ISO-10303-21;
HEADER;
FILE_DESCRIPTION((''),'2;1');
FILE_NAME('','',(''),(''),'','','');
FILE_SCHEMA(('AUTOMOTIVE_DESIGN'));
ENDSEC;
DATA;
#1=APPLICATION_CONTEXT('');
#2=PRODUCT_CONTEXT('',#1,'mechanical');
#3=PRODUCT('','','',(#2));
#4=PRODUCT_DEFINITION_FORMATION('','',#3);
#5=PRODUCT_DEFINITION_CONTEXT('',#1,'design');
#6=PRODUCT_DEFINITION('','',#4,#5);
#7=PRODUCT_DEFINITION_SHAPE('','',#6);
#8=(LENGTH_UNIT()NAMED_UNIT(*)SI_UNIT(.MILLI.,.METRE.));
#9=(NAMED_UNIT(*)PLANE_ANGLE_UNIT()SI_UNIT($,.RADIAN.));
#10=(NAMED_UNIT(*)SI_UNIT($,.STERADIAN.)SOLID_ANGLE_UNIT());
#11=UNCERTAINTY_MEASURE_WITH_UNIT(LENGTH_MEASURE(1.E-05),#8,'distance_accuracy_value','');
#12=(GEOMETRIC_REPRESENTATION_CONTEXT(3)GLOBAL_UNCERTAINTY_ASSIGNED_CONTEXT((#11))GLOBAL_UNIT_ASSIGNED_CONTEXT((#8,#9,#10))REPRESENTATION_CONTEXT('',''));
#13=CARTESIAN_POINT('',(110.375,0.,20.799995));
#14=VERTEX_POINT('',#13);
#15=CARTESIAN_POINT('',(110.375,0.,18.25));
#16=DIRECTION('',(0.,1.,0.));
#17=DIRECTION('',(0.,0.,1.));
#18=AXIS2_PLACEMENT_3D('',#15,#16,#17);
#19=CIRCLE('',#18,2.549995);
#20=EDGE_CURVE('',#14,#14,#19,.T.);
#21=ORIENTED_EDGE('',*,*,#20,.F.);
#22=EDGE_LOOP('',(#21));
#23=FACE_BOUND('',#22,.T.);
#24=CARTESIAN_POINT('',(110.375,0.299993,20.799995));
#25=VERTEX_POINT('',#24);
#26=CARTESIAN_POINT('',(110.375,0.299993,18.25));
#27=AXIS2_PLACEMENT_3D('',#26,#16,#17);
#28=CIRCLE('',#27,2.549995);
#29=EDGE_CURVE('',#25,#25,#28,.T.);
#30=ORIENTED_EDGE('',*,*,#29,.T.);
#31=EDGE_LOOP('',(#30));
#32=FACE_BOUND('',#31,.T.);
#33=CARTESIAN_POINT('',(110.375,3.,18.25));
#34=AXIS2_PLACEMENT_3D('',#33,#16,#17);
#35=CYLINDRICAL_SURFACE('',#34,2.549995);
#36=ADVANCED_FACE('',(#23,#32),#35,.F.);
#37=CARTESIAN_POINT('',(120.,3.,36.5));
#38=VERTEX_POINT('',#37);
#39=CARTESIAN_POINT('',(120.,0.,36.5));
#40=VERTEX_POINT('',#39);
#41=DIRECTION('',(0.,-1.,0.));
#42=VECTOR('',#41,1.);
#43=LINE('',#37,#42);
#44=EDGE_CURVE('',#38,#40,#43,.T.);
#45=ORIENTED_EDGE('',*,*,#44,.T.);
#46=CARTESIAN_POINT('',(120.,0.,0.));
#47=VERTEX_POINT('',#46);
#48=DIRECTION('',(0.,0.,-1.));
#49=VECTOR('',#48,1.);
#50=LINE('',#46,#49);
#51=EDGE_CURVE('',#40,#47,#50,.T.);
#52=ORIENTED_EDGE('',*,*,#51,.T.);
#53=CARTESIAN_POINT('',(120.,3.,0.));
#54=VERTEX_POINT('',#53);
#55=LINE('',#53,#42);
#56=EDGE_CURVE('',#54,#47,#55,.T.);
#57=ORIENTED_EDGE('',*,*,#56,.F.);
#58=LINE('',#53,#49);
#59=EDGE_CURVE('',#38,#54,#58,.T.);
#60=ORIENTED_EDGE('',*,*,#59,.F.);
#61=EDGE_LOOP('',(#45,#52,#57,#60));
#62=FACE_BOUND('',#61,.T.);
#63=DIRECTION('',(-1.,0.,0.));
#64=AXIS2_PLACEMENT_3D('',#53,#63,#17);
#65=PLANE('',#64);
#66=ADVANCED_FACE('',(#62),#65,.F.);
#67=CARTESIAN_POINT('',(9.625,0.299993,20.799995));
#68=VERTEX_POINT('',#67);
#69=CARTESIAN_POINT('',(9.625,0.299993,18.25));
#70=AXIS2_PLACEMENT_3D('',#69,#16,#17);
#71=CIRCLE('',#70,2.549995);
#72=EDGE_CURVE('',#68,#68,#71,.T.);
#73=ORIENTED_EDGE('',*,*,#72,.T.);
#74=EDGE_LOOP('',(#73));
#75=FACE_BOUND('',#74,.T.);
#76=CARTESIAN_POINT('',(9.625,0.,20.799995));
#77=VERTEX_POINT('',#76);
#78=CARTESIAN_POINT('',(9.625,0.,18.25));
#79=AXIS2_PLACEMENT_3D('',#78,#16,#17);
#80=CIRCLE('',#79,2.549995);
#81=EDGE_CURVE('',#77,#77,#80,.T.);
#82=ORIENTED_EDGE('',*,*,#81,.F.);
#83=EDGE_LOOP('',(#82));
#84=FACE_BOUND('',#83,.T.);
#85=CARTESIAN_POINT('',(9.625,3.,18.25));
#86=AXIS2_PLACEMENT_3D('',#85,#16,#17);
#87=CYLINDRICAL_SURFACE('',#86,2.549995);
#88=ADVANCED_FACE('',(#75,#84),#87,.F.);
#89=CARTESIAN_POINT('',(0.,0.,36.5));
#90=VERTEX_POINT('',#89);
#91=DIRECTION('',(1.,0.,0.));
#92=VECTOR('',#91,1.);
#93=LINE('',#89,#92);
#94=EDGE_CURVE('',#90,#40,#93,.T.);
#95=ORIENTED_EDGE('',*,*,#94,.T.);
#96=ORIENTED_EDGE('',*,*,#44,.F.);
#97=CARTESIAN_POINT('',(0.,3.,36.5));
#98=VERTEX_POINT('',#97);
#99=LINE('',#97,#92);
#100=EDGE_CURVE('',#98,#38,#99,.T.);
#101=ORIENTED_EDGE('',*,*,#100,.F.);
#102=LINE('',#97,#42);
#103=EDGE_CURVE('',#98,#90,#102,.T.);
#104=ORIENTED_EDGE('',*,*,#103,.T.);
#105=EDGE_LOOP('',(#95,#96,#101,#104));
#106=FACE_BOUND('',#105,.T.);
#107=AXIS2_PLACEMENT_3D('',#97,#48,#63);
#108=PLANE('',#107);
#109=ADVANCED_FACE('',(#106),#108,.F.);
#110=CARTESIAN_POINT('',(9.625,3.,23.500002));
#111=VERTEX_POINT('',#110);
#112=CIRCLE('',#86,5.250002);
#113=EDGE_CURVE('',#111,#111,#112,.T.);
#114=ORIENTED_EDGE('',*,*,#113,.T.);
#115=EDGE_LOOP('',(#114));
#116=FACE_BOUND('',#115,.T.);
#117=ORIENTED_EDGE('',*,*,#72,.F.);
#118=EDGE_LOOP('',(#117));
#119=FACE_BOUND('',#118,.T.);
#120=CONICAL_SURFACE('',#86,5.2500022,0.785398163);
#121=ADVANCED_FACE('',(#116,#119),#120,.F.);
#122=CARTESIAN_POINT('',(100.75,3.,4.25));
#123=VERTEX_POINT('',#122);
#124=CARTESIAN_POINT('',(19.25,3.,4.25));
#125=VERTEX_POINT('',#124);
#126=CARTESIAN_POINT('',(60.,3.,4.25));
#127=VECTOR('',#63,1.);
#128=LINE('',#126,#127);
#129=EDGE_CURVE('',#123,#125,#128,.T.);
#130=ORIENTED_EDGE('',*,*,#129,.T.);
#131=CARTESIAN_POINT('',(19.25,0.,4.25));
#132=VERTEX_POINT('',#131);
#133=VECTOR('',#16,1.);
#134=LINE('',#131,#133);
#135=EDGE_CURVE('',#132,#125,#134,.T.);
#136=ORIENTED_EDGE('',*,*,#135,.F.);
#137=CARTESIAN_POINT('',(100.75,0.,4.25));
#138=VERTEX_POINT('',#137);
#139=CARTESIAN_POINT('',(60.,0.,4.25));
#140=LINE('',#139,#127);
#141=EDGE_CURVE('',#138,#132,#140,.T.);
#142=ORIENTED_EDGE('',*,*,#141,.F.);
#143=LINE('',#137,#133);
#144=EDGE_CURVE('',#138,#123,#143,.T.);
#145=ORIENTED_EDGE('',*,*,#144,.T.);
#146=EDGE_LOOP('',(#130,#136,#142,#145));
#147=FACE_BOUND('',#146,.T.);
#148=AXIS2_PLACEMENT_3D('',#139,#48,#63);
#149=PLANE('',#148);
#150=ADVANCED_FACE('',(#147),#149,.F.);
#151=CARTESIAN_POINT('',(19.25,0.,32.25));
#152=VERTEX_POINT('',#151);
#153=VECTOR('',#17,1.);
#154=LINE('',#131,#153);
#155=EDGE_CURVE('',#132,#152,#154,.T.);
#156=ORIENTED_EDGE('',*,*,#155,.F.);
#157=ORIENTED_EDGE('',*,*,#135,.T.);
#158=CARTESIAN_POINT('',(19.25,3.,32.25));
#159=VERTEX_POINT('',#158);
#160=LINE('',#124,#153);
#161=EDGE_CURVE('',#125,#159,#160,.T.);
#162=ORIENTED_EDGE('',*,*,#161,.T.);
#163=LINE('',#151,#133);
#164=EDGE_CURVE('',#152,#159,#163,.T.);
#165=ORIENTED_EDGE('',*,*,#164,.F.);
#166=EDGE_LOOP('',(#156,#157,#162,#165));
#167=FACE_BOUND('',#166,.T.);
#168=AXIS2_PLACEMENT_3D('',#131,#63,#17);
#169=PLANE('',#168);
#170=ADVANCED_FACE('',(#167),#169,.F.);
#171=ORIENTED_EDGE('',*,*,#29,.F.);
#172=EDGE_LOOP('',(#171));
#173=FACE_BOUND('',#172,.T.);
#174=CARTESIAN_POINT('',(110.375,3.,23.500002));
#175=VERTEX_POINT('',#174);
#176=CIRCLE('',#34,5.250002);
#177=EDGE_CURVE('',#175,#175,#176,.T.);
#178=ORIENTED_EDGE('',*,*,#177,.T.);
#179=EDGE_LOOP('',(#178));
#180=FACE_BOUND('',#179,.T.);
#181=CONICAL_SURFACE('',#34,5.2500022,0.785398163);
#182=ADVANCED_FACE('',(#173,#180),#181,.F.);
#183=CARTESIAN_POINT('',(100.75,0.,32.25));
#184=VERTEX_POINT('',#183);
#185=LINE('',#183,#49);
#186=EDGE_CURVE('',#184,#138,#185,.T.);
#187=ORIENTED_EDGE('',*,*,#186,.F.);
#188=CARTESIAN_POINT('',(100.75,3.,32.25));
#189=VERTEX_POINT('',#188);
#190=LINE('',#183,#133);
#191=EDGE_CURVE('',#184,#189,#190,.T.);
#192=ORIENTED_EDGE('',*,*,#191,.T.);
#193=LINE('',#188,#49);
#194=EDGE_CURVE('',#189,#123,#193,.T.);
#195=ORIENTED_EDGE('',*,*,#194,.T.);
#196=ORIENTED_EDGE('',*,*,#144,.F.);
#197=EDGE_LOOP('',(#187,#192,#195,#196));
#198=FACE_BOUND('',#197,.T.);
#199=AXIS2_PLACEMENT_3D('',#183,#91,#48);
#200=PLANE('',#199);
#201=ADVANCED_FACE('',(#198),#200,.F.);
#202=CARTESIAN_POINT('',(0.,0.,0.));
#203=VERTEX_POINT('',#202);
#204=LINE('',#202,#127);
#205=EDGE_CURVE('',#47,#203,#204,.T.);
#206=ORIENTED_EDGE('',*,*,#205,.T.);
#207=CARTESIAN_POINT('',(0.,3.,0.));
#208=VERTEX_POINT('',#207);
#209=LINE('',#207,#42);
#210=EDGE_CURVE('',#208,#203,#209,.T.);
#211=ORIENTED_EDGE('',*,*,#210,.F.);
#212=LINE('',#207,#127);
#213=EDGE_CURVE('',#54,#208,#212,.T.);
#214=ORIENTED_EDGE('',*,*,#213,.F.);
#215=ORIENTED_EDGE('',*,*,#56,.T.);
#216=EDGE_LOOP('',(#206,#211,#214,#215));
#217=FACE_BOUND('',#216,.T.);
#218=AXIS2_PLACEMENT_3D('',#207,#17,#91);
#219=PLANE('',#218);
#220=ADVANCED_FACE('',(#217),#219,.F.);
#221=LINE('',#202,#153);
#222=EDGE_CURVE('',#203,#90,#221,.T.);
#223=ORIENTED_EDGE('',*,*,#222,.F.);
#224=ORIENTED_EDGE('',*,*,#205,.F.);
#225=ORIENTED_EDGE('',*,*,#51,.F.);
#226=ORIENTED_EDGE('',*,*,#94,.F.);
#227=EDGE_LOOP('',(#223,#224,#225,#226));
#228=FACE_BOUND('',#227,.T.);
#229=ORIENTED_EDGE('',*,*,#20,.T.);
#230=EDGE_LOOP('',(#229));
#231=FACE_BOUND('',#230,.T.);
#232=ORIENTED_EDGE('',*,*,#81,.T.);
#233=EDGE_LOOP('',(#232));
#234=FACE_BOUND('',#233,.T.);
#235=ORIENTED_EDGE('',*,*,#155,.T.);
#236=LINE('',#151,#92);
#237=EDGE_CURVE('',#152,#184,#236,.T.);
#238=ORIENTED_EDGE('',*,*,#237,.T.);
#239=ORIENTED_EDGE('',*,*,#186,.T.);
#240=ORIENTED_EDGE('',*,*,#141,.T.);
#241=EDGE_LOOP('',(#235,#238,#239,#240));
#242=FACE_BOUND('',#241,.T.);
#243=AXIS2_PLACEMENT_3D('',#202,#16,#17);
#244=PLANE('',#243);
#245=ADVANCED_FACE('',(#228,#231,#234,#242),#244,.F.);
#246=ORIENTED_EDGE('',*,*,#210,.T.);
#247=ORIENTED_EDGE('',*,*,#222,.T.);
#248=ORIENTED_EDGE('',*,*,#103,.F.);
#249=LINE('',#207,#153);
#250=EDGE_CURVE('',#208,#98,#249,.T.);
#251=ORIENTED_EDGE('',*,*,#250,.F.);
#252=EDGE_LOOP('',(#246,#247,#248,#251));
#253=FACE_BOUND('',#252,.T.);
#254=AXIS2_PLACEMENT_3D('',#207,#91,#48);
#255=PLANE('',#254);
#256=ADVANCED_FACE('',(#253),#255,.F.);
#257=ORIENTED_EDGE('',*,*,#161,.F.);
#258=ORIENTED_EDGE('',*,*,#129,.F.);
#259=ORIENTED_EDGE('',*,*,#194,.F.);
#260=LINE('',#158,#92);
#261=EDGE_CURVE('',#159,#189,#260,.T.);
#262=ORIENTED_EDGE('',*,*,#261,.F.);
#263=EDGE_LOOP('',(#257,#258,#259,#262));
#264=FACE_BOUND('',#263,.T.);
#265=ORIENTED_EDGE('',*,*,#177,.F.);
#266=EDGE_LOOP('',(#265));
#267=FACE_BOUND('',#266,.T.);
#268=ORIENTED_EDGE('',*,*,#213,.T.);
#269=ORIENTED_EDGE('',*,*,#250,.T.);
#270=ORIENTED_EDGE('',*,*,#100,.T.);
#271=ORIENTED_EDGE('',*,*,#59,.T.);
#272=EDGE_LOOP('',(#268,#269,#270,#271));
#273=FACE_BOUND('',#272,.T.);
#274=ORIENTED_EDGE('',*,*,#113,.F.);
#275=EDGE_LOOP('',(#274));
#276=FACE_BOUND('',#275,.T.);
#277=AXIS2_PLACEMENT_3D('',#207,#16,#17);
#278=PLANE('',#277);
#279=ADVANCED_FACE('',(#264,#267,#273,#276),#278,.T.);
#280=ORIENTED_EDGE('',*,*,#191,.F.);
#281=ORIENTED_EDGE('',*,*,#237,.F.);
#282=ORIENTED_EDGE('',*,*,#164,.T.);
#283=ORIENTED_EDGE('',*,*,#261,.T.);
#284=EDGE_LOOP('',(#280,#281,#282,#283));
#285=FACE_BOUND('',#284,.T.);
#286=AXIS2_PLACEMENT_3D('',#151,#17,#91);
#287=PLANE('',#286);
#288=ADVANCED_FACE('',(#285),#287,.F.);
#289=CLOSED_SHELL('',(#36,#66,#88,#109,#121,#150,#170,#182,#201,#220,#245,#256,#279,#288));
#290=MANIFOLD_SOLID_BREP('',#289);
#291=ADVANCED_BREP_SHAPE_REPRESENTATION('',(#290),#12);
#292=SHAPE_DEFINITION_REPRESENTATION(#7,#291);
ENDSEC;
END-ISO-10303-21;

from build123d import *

# Parameters (mm, degrees)
SKETCH1_W                                     = 120
SKETCH1_H                                     = 36.5
BOSS_EXTRUDE1_DEPTH                           = 3
CUT_EXTRUDE1_DEPTH                            = 4
CSK_FOR_5_OVAL_HEAD_MACHINE_SCREW1_AT_2_COUNT = 2
CSK_FOR_5_OVAL_HEAD_MACHINE_SCREW1_AT_2_PITCH = 100.75


with BuildPart() as part:
    # Sketch1 → Boss-Extrude1 (new body)
    with BuildSketch(Plane(origin=(0, 0, 0), x_dir=(1, 0, 0), z_dir=(0, 1, 0))):
        with Locations((60, -18.25)):
            Rectangle(SKETCH1_W, SKETCH1_H)
    extrude(amount=BOSS_EXTRUDE1_DEPTH)

    # Sketch2 → Cut-Extrude1 (cut, through all)
    with BuildSketch(Plane(origin=(0, 3, 0), x_dir=(1, 0, 0), z_dir=(0, 1, 0))):
        Polygon((19.25, -32.25), (100.75, -32.25), (100.75, -4.25), (60, -4.25), (19.25, -4.25), align=None)
    extrude(amount=-CUT_EXTRUDE1_DEPTH, mode=Mode.SUBTRACT)

    # Sketch6 → CSK for #5 Oval Head Machine Screw1 (revolve, cut)
    with BuildSketch(Plane(origin=(9.625, 3, 18.25), x_dir=(0, 0, 1), z_dir=(1, 0, 0))):
        Polygon((0, 0), (0, 3), (2.5499949, 3), (2.5499949, 2.7000073), (5.2500022, 0), align=None)
    csk_for_5_oval_head_machine_screw1 = revolve(axis=Axis((9.625, 9.35, 18.25), (0, -1, 0)), mode=Mode.SUBTRACT)

    # CSK for #5 Oval Head Machine Screw1 at 2: CSK for #5 Oval Head Machine Screw1 ×2
    with Locations(*[(i * CSK_FOR_5_OVAL_HEAD_MACHINE_SCREW1_AT_2_PITCH, 0, 0) for i in range(1, CSK_FOR_5_OVAL_HEAD_MACHINE_SCREW1_AT_2_COUNT)]):
        add(csk_for_5_oval_head_machine_screw1, mode=Mode.SUBTRACT)


solid = part.part
